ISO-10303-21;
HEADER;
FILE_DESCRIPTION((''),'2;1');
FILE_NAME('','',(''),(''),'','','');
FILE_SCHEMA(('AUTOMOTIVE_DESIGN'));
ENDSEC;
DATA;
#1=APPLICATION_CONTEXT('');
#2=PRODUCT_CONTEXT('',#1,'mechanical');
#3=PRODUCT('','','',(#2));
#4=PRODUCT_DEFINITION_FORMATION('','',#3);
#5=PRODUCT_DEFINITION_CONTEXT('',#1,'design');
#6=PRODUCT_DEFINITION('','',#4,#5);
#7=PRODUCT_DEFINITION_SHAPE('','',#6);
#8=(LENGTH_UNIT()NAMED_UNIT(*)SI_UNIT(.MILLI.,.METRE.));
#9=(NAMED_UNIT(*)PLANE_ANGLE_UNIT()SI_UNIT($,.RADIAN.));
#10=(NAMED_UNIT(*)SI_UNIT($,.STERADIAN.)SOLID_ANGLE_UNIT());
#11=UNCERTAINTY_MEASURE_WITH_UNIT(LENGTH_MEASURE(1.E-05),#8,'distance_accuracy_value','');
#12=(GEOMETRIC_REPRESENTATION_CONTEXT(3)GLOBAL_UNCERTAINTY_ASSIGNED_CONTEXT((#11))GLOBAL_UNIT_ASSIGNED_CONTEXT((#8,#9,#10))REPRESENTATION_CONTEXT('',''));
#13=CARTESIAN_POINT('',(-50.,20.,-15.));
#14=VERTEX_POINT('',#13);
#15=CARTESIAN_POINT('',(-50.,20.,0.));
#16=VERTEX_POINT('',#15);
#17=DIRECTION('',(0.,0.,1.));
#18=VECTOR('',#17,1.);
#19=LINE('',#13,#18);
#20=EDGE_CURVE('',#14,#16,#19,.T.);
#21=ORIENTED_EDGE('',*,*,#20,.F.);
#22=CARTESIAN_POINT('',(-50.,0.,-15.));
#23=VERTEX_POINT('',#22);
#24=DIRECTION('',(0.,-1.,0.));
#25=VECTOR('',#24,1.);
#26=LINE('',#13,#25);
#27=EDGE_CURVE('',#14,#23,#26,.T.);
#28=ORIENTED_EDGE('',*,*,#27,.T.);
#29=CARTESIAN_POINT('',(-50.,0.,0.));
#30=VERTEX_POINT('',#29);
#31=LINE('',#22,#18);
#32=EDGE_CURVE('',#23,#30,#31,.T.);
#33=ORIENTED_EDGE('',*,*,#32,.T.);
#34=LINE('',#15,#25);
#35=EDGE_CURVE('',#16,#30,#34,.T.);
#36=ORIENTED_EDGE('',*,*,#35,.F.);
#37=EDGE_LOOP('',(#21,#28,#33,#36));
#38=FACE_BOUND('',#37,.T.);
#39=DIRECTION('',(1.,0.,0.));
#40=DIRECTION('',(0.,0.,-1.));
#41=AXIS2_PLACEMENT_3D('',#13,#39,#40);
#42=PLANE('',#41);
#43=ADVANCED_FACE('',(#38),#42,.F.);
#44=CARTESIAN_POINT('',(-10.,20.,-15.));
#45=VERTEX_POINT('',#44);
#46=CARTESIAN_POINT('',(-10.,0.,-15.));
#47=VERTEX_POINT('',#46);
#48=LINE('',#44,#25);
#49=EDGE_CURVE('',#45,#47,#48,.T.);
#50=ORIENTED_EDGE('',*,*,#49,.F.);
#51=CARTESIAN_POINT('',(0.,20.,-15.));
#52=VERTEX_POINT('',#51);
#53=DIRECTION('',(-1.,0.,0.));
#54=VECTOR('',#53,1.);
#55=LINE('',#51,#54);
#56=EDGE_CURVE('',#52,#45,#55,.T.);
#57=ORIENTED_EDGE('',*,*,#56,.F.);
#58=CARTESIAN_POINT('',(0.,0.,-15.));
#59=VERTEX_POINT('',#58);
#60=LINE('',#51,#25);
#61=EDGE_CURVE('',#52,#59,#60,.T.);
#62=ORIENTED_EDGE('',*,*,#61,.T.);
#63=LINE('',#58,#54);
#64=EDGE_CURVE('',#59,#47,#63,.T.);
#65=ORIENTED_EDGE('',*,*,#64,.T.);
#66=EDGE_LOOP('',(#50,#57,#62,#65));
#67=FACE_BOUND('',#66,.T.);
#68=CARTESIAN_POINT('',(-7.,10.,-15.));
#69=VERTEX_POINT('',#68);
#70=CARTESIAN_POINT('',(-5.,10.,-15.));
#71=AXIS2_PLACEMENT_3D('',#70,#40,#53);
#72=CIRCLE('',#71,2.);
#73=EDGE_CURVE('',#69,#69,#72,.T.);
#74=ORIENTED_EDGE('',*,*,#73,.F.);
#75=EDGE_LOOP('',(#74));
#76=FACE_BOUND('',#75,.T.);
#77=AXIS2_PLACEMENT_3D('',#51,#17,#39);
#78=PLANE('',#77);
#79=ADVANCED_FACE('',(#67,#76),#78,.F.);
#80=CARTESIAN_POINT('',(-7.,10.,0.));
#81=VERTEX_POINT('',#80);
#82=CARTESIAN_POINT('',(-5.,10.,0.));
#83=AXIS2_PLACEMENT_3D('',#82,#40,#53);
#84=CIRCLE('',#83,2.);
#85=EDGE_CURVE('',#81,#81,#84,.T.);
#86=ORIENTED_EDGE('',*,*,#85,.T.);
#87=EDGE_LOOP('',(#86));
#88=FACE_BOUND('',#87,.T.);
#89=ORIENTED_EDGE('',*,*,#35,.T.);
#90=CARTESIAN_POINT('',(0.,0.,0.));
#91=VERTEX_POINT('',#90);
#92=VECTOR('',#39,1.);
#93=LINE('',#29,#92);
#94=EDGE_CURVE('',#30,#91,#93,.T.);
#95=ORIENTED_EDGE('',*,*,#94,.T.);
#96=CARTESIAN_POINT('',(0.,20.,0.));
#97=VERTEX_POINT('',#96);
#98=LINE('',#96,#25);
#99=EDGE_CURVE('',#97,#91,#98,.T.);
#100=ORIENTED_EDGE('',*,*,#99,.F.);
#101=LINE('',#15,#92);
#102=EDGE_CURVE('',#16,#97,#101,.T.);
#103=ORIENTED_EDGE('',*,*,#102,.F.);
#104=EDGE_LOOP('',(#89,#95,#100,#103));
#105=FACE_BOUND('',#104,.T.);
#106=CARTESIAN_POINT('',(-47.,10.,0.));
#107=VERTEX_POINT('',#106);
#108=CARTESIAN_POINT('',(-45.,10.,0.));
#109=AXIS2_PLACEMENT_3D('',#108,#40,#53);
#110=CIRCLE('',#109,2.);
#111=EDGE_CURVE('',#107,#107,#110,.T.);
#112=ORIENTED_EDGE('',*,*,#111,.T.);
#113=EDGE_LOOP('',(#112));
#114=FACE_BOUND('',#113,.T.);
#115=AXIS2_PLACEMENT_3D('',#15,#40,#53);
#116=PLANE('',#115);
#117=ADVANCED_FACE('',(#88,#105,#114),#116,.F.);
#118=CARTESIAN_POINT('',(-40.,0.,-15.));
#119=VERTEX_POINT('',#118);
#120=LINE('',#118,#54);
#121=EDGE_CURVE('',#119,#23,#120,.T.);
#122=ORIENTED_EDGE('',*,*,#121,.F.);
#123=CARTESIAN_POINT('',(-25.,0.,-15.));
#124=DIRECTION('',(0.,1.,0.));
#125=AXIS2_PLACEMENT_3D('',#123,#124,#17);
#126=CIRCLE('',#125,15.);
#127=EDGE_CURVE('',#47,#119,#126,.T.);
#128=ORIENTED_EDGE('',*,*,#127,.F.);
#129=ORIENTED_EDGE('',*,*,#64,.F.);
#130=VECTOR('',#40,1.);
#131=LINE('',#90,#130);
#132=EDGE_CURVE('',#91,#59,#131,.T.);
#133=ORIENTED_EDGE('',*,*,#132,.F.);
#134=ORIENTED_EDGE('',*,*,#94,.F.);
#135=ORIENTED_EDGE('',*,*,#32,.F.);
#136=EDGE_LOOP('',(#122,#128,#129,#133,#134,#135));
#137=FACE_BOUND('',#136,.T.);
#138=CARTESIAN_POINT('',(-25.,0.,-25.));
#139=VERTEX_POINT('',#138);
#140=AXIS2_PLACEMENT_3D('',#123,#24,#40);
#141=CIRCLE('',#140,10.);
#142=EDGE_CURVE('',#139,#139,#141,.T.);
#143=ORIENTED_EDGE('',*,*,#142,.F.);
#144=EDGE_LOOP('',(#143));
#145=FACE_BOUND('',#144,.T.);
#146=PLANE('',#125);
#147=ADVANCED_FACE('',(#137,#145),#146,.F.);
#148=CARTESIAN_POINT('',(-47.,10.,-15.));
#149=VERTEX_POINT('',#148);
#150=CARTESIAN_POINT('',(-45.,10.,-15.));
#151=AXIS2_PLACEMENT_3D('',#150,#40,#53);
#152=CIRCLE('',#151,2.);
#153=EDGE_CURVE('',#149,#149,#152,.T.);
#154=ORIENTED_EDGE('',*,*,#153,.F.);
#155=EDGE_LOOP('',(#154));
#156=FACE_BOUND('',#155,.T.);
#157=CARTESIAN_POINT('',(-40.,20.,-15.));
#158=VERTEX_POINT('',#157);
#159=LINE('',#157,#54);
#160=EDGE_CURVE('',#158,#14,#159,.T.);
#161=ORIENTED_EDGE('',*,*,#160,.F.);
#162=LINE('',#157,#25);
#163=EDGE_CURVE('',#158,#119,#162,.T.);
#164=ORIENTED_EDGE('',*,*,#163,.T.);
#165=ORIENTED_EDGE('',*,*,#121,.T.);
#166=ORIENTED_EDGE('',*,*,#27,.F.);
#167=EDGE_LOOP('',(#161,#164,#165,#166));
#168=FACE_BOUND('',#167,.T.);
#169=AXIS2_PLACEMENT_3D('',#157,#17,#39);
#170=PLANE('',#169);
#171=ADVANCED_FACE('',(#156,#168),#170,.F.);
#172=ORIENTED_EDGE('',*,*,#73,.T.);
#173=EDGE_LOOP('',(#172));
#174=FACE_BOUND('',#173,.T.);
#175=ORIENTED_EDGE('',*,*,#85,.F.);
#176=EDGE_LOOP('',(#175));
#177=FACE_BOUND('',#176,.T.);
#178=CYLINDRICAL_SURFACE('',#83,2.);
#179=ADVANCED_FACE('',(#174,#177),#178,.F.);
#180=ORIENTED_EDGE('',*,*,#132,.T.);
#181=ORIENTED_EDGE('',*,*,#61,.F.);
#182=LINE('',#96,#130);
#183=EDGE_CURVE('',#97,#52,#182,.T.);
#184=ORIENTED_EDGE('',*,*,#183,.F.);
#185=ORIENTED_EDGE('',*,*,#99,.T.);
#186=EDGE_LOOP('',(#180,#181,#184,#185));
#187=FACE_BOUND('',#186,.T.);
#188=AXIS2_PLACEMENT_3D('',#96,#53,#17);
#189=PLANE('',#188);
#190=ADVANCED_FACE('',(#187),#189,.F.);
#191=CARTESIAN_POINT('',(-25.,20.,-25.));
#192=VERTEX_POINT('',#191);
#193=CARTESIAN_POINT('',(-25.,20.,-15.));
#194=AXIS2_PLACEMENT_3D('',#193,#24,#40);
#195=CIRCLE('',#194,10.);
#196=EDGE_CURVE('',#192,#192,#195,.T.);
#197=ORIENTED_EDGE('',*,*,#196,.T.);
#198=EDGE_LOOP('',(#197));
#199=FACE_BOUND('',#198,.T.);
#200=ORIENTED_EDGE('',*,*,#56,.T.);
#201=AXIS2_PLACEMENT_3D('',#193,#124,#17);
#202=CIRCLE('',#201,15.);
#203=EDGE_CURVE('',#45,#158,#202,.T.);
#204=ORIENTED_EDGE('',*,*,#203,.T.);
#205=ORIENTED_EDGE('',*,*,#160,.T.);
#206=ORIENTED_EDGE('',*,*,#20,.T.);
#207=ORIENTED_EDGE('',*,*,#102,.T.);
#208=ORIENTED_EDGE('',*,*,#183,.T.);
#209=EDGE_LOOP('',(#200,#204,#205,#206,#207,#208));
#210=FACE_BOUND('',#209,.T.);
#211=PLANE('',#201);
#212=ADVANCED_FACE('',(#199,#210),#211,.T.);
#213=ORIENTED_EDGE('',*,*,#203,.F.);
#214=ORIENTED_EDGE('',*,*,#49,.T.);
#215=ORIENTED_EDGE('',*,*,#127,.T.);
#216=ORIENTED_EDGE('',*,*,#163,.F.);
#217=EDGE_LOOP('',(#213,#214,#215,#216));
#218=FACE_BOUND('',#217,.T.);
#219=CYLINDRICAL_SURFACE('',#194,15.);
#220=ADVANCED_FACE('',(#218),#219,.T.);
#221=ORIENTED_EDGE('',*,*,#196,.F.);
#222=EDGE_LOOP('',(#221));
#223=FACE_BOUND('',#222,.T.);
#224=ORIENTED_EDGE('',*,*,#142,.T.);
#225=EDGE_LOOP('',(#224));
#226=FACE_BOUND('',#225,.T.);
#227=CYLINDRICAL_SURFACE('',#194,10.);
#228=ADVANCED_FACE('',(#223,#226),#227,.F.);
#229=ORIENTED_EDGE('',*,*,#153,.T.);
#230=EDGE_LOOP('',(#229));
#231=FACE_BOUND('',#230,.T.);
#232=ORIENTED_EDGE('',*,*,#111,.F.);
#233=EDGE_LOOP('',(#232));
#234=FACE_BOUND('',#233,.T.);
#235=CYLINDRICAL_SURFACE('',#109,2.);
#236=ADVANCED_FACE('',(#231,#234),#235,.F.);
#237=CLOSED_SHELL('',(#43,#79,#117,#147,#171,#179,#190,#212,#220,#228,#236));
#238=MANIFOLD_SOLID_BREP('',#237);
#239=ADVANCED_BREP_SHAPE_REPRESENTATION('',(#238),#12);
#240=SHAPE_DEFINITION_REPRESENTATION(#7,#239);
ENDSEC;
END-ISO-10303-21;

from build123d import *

# Parameters (mm, degrees)
BOSS_EXTRUDE1_DEPTH = 20
SKETCH3_R           = 10
CUT_EXTRUDE1_DEPTH  = 62.64414003
SKETCH4_R           = 2
CUT_EXTRUDE2_DEPTH  = 56.901699437


with BuildPart() as part:
    # Sketch2 → Boss-Extrude1 (new body)
    with BuildSketch(Plane(origin=(0, 0, 0), x_dir=(1, 0, 0), z_dir=(0, 1, 0))):
        with BuildLine():
            Line((-50, 0), (0, 0))
            Line((0, 0), (0, 15))
            Line((0, 15), (-10, 15))
            ThreePointArc((-10, 15), (-25, 30), (-40, 15))
            Line((-40, 15), (-50, 15))
            Line((-50, 15), (-50, 0))
        make_face()
    extrude(amount=BOSS_EXTRUDE1_DEPTH)

    # Sketch3 → Cut-Extrude1 (cut, through all)
    with BuildSketch(Plane(origin=(0, 0, 0), x_dir=(-1, 0, 0), z_dir=(0, -1, 0))):
        with Locations(Location((25, 15, 0), (0, 0, 90))):
            Circle(SKETCH3_R)
    extrude(amount=-CUT_EXTRUDE1_DEPTH, mode=Mode.SUBTRACT)

    # Sketch4 → Cut-Extrude2 (cut, through all)
    with BuildSketch(Plane(origin=(0, 0, -15), x_dir=(-1, 0, 0), z_dir=(0, 0, -1))):
        with Locations((45, 10)):
            Circle(SKETCH4_R)
        with Locations((5, 10)):
            Circle(SKETCH4_R)
    extrude(amount=-CUT_EXTRUDE2_DEPTH, mode=Mode.SUBTRACT)


solid = part.part
